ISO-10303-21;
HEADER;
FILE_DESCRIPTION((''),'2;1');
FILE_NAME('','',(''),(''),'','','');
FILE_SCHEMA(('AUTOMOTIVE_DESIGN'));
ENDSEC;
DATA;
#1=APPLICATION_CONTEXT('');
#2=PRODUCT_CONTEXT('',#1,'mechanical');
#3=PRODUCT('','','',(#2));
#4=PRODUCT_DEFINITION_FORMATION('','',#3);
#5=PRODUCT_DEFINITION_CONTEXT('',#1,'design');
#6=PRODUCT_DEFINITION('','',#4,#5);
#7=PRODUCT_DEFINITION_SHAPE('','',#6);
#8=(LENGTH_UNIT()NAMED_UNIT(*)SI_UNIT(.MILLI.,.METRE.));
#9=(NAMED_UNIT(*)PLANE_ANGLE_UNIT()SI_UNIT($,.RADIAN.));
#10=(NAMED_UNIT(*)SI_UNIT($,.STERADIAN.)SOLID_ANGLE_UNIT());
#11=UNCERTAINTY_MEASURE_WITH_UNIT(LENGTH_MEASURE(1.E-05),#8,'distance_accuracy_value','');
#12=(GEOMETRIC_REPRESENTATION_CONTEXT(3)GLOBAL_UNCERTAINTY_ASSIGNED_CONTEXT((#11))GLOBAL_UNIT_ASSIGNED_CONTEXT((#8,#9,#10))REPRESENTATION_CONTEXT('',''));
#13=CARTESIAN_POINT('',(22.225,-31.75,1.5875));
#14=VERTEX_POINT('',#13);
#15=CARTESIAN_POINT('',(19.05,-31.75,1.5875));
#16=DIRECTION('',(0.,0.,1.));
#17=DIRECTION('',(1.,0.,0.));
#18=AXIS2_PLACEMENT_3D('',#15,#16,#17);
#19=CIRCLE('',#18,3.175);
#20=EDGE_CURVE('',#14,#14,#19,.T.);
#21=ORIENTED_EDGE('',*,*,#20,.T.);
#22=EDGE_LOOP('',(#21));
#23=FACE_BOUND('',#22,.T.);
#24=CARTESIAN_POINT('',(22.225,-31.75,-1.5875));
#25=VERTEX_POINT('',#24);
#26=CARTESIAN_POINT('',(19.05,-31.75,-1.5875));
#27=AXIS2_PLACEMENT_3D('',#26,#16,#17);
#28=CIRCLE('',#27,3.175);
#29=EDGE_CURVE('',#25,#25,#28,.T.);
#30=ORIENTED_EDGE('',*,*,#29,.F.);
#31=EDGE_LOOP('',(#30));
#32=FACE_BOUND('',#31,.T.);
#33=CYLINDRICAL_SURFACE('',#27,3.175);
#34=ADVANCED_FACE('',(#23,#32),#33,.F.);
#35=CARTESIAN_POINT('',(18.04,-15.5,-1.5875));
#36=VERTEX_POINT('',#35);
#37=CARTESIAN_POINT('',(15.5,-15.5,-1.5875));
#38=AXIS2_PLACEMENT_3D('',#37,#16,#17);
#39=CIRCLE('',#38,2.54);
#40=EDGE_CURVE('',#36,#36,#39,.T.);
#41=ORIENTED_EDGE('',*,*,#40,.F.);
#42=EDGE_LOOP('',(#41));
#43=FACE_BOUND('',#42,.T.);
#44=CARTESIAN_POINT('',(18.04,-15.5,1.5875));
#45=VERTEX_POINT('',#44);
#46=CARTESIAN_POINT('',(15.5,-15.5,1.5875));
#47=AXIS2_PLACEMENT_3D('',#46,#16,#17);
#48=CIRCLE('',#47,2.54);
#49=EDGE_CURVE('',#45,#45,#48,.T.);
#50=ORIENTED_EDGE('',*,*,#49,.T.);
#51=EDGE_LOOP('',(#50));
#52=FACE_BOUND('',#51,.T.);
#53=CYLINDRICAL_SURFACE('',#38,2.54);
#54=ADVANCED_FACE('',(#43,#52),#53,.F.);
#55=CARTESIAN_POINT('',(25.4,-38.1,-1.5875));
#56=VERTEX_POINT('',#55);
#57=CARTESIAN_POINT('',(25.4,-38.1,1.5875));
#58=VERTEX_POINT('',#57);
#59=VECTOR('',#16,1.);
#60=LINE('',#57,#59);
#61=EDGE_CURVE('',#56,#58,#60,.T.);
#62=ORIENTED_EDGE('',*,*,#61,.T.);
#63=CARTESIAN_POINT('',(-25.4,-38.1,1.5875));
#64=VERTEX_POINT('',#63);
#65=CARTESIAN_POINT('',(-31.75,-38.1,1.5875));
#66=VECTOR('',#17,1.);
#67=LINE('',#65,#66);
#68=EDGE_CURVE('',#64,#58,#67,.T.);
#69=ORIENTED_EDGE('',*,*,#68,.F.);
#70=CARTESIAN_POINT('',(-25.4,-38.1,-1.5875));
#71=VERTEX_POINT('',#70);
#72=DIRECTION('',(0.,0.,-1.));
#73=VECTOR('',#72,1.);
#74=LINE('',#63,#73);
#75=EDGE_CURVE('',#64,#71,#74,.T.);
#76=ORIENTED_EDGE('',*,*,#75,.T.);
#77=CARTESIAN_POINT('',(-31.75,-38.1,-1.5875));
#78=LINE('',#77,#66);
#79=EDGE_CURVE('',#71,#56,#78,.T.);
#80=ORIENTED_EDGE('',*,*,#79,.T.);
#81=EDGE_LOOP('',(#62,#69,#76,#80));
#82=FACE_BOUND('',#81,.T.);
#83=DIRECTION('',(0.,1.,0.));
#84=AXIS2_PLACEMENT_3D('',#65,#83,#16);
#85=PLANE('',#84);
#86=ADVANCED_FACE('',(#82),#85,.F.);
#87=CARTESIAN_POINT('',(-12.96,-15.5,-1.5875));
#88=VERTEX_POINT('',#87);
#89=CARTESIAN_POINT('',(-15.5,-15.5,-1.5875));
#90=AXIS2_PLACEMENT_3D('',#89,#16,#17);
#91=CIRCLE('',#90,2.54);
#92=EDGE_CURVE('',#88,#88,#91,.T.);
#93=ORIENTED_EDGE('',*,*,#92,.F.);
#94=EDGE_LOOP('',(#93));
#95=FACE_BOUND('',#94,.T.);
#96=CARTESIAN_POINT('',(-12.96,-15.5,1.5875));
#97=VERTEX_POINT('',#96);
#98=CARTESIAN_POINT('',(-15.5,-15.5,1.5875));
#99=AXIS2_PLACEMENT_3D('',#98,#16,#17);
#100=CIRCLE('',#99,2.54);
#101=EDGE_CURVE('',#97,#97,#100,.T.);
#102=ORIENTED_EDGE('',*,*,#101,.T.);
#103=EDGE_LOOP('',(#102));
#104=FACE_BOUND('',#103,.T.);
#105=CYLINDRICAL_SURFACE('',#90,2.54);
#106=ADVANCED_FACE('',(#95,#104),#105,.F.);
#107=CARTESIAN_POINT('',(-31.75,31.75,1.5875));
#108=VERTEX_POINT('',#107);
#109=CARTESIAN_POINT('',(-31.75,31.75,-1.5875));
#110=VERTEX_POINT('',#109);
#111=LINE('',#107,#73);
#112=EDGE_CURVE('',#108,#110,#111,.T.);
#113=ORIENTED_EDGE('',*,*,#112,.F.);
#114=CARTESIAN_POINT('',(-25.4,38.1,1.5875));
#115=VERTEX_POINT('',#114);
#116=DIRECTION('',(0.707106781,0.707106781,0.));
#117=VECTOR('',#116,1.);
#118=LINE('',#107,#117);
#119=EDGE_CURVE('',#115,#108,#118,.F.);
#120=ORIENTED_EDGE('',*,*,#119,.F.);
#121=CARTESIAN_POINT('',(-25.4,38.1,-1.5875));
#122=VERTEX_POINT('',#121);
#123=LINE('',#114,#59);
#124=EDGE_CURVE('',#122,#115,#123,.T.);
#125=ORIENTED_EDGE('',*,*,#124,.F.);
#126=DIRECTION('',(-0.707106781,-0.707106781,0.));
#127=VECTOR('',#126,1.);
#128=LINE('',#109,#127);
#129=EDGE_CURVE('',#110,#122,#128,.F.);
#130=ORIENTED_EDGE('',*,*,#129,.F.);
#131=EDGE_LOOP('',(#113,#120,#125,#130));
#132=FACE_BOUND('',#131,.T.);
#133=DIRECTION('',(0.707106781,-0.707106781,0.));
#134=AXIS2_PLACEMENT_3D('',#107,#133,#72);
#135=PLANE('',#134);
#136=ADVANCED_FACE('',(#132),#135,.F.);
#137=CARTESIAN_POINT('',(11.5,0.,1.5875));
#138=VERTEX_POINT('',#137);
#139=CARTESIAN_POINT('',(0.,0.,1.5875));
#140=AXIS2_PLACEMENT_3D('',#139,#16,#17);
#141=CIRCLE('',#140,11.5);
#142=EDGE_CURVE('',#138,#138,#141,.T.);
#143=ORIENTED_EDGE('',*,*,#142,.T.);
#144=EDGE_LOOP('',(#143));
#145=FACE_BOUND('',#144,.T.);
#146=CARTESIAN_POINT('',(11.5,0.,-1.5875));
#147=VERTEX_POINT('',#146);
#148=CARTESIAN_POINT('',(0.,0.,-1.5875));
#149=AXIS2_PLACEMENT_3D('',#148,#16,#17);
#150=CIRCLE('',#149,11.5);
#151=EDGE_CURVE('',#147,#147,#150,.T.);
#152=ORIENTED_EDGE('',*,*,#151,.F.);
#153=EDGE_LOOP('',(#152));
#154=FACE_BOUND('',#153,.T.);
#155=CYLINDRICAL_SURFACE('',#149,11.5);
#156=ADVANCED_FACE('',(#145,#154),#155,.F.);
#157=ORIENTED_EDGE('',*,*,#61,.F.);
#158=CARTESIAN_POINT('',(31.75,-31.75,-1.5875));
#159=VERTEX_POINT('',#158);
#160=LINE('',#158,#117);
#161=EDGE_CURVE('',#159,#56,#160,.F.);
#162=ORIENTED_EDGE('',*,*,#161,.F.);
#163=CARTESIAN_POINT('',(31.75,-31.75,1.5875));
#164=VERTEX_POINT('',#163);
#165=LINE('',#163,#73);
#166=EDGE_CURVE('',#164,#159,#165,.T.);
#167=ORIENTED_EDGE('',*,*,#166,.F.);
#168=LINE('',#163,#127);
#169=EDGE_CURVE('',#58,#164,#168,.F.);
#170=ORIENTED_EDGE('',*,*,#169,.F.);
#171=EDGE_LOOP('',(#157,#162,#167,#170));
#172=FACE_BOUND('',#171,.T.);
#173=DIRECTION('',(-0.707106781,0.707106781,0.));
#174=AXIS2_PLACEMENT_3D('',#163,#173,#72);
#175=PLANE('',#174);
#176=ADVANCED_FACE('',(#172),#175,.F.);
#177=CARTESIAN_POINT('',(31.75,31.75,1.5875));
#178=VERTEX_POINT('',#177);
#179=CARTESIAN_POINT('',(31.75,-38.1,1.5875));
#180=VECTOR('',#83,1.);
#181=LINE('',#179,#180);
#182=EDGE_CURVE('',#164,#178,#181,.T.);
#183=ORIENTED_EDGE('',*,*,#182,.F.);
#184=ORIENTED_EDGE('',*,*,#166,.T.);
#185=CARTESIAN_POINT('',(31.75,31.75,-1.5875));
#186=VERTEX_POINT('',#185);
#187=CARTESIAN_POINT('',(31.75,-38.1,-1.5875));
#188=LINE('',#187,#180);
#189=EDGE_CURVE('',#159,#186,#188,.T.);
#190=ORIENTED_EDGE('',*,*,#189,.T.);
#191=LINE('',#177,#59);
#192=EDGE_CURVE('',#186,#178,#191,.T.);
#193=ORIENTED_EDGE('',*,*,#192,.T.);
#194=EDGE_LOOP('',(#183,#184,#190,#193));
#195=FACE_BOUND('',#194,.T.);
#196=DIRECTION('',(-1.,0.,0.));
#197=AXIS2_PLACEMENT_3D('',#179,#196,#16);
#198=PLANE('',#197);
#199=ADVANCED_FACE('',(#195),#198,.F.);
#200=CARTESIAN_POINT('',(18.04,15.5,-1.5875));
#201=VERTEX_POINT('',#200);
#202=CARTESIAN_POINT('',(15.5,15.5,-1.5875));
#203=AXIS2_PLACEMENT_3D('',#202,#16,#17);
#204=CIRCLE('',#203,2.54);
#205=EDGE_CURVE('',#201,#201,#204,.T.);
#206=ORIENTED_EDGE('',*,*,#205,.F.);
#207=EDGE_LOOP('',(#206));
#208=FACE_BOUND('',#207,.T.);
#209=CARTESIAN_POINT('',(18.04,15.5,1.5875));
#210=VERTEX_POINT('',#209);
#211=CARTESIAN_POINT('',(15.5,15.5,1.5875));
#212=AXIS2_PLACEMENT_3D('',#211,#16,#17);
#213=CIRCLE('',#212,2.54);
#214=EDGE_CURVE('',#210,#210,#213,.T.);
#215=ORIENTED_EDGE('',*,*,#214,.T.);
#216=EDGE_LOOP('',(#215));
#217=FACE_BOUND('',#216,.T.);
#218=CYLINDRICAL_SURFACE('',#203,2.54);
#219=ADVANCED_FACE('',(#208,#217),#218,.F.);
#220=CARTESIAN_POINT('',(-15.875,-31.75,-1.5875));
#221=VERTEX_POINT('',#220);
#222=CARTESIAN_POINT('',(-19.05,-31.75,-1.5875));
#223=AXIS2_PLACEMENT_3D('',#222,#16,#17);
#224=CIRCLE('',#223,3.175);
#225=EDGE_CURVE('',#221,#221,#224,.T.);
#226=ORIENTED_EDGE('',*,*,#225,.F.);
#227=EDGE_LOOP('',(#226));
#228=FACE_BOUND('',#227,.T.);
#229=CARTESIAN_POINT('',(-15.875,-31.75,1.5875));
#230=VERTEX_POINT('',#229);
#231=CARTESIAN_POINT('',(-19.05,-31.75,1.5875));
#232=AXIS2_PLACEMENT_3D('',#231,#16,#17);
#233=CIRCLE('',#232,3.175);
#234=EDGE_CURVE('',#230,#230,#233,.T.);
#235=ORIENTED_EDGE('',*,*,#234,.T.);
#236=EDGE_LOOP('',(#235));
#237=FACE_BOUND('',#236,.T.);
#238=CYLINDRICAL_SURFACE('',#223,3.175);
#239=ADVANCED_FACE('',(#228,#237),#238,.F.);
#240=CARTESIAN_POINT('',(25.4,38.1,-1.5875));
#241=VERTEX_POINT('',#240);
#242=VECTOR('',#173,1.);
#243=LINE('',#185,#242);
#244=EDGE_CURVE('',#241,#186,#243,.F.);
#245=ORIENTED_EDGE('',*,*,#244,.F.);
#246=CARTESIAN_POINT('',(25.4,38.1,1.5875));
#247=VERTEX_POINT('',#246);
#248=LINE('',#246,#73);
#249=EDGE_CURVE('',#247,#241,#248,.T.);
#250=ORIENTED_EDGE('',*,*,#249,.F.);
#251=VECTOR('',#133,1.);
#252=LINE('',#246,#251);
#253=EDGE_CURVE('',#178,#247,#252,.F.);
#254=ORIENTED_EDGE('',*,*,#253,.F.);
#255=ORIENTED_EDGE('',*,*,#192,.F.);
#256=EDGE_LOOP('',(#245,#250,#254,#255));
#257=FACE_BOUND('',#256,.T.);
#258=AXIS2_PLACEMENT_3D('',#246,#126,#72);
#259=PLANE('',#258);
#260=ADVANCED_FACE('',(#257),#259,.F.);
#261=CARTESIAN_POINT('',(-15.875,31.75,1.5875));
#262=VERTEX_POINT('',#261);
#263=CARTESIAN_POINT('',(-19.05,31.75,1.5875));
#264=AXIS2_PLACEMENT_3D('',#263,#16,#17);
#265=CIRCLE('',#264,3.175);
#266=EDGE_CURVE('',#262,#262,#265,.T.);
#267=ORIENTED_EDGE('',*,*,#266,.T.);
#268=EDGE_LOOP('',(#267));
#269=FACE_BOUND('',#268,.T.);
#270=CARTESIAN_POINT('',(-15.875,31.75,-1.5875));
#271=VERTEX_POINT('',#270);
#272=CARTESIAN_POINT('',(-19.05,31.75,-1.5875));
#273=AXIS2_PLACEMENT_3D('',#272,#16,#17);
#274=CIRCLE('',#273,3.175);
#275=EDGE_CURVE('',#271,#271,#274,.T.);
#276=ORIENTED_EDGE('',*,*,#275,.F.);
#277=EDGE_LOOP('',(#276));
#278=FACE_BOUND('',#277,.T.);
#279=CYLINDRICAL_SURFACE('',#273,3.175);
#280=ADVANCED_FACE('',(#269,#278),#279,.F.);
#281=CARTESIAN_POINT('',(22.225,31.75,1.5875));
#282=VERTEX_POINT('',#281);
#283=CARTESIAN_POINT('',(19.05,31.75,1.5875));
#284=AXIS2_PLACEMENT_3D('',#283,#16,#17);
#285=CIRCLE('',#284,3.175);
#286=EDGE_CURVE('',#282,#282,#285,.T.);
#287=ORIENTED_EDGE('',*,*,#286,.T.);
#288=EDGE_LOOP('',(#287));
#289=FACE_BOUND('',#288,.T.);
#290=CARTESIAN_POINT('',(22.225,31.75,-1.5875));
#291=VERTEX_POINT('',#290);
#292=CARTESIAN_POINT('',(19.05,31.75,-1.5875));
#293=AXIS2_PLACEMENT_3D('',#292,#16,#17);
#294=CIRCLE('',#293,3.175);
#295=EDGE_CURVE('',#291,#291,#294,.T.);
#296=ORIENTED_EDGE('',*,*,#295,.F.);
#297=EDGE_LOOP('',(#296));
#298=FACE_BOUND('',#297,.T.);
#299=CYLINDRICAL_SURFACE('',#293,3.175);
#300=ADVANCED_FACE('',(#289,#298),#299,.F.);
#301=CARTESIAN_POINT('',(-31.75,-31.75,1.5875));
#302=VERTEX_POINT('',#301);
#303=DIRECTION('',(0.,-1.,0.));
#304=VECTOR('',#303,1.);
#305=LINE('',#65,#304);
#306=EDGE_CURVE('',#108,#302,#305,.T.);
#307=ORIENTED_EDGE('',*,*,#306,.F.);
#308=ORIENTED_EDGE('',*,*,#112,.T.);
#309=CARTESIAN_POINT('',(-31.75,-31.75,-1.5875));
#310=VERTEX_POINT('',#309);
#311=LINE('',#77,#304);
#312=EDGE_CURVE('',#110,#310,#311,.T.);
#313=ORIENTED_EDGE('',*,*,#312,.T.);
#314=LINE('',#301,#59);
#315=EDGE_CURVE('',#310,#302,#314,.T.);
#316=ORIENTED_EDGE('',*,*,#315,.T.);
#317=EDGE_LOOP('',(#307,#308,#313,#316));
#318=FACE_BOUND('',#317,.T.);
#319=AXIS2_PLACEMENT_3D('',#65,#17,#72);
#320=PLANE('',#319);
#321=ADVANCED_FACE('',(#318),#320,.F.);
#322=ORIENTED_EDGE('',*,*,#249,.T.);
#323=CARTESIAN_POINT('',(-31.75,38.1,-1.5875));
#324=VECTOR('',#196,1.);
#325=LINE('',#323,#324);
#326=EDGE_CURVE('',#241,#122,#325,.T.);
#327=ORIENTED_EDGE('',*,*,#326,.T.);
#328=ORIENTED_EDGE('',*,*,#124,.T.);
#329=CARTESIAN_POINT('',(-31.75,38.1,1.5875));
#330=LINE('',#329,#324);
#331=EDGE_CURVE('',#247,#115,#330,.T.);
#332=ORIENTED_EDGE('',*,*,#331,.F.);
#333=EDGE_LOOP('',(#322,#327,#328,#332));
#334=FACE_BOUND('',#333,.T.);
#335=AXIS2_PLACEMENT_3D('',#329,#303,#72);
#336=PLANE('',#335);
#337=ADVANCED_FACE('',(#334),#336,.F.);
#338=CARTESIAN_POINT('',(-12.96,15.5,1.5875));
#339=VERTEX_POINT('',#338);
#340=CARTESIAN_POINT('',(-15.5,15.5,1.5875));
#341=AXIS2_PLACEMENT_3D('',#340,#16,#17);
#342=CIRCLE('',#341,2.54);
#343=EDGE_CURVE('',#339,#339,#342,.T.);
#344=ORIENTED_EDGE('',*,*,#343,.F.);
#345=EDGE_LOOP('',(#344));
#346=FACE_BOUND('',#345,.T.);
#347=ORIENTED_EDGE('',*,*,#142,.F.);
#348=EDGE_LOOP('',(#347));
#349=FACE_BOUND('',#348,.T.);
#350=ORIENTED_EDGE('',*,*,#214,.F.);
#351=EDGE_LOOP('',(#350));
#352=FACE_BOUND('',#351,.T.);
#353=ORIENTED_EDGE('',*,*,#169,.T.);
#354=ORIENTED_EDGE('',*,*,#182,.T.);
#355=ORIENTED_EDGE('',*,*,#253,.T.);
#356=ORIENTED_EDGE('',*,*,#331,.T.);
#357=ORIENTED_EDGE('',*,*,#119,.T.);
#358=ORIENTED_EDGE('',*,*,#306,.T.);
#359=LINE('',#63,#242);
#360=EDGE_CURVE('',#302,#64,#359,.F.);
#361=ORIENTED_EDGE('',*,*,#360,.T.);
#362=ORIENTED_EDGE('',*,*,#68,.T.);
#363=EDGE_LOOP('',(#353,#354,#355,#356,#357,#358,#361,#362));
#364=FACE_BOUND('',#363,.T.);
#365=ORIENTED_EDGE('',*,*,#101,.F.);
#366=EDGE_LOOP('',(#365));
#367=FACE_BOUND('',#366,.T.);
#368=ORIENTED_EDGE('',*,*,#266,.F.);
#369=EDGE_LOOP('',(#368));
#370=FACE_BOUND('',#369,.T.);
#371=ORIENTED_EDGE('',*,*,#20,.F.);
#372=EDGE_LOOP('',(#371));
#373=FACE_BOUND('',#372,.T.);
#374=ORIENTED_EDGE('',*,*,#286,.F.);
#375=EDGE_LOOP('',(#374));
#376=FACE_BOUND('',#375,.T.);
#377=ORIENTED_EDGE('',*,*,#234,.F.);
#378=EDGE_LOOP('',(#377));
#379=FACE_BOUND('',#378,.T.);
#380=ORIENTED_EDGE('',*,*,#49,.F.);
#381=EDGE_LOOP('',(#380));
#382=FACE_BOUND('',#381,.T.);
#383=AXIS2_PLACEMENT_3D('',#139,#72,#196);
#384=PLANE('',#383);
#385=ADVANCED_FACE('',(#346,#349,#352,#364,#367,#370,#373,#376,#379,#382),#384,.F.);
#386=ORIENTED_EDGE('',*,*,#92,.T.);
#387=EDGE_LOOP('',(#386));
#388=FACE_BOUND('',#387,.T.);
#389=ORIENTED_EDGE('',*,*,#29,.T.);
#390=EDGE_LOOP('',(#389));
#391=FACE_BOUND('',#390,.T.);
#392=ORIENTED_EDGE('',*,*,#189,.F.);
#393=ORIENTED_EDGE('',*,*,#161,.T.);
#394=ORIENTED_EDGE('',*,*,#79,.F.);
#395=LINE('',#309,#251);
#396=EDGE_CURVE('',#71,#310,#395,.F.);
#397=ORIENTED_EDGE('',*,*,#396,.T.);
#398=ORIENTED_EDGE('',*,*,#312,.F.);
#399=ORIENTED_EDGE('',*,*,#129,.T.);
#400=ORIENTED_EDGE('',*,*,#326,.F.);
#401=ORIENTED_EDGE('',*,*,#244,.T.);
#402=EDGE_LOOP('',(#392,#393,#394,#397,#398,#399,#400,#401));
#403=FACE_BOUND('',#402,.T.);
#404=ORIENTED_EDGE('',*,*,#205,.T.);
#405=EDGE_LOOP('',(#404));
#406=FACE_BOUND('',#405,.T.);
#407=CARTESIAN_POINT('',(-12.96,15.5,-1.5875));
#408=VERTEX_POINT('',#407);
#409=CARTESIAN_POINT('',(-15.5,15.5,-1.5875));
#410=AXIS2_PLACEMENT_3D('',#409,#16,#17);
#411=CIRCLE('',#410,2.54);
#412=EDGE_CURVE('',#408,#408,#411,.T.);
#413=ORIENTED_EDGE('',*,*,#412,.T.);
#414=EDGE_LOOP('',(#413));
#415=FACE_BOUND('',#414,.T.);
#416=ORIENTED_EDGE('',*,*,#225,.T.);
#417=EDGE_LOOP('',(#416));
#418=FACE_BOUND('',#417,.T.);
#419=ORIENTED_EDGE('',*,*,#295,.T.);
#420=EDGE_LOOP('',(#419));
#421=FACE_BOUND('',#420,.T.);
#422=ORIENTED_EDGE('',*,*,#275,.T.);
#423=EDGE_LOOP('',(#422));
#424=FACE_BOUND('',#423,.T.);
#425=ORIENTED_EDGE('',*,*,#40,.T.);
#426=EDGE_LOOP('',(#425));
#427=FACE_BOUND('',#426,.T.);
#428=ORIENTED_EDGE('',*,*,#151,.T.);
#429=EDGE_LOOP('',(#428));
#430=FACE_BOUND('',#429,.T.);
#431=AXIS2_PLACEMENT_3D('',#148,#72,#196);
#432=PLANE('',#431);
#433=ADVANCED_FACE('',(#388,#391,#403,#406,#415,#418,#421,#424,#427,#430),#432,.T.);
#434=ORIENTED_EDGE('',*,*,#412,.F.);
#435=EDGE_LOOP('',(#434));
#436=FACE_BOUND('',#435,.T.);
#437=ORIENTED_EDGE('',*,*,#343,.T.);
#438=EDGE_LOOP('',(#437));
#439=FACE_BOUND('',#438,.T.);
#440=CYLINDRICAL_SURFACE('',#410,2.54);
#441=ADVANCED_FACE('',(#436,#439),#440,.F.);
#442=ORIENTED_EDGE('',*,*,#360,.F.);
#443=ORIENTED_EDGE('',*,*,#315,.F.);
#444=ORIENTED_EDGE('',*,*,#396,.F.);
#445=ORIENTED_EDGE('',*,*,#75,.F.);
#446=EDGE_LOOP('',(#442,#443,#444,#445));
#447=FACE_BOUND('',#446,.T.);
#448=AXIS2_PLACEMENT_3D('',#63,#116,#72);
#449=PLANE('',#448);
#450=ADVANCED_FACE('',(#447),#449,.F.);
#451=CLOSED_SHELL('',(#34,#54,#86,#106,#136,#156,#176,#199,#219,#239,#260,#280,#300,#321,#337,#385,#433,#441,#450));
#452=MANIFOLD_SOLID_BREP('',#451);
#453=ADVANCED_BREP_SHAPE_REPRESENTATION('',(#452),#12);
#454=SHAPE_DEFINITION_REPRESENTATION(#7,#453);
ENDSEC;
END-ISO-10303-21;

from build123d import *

# Parameters (mm, degrees)
SKETCH1_W           = 63.5
SKETCH1_H           = 76.2
BOSS_EXTRUDE1_DEPTH = 1.5875
SKETCH2_R           = 3.175
CUT_EXTRUDE1_DEPTH  = 4.175
SKETCH3_R           = 2.54
CUT_EXTRUDE2_DEPTH  = 4.175
CHAMFER1_SIZE       = 6.35
SKETCH4_R           = 11.5
CUT_EXTRUDE3_DEPTH  = 4.175


with BuildPart() as part:
    # Sketch1 → Boss-Extrude1 (new body, symmetric)
    with BuildSketch(Plane.XY):
        Rectangle(SKETCH1_W, SKETCH1_H)
    extrude(amount=BOSS_EXTRUDE1_DEPTH, both=True)

    # Sketch2 → Cut-Extrude1 (cut, through all)
    with BuildSketch(Plane.XY.offset(1.5875)):
        with Locations((-19.05, 31.75)):
            Circle(SKETCH2_R)
        with Locations((19.05, 31.75)):
            Circle(SKETCH2_R)
        with Locations((19.05, -31.75)):
            Circle(SKETCH2_R)
        with Locations((-19.05, -31.75)):
            Circle(SKETCH2_R)
    extrude(amount=-CUT_EXTRUDE1_DEPTH, mode=Mode.SUBTRACT)

    # Sketch3 → Cut-Extrude2 (cut, through all)
    with BuildSketch(Plane.XY.offset(1.5875)):
        with Locations((-15.5, 15.5)):
            Circle(SKETCH3_R)
        with Locations((15.5, 15.5)):
            Circle(SKETCH3_R)
        with Locations((15.5, -15.5)):
            Circle(SKETCH3_R)
        with Locations((-15.5, -15.5)):
            Circle(SKETCH3_R)
    extrude(amount=-CUT_EXTRUDE2_DEPTH, mode=Mode.SUBTRACT)

    # Chamfer1
    chamfer1_edges = [part.edges().sort_by_distance(p)[0] for p in [
        (31.75, -38.1, 0),
        (-31.75, -38.1, 0),
        (-31.75, 38.1, 0),
        (31.75, 38.1, 0),
    ]]
    chamfer(chamfer1_edges, length=CHAMFER1_SIZE)

    # Sketch4 → Cut-Extrude3 (cut, through all)
    with BuildSketch(Plane.XY.offset(1.5875)):
        Circle(SKETCH4_R)
    extrude(amount=-CUT_EXTRUDE3_DEPTH, mode=Mode.SUBTRACT)


solid = part.part
